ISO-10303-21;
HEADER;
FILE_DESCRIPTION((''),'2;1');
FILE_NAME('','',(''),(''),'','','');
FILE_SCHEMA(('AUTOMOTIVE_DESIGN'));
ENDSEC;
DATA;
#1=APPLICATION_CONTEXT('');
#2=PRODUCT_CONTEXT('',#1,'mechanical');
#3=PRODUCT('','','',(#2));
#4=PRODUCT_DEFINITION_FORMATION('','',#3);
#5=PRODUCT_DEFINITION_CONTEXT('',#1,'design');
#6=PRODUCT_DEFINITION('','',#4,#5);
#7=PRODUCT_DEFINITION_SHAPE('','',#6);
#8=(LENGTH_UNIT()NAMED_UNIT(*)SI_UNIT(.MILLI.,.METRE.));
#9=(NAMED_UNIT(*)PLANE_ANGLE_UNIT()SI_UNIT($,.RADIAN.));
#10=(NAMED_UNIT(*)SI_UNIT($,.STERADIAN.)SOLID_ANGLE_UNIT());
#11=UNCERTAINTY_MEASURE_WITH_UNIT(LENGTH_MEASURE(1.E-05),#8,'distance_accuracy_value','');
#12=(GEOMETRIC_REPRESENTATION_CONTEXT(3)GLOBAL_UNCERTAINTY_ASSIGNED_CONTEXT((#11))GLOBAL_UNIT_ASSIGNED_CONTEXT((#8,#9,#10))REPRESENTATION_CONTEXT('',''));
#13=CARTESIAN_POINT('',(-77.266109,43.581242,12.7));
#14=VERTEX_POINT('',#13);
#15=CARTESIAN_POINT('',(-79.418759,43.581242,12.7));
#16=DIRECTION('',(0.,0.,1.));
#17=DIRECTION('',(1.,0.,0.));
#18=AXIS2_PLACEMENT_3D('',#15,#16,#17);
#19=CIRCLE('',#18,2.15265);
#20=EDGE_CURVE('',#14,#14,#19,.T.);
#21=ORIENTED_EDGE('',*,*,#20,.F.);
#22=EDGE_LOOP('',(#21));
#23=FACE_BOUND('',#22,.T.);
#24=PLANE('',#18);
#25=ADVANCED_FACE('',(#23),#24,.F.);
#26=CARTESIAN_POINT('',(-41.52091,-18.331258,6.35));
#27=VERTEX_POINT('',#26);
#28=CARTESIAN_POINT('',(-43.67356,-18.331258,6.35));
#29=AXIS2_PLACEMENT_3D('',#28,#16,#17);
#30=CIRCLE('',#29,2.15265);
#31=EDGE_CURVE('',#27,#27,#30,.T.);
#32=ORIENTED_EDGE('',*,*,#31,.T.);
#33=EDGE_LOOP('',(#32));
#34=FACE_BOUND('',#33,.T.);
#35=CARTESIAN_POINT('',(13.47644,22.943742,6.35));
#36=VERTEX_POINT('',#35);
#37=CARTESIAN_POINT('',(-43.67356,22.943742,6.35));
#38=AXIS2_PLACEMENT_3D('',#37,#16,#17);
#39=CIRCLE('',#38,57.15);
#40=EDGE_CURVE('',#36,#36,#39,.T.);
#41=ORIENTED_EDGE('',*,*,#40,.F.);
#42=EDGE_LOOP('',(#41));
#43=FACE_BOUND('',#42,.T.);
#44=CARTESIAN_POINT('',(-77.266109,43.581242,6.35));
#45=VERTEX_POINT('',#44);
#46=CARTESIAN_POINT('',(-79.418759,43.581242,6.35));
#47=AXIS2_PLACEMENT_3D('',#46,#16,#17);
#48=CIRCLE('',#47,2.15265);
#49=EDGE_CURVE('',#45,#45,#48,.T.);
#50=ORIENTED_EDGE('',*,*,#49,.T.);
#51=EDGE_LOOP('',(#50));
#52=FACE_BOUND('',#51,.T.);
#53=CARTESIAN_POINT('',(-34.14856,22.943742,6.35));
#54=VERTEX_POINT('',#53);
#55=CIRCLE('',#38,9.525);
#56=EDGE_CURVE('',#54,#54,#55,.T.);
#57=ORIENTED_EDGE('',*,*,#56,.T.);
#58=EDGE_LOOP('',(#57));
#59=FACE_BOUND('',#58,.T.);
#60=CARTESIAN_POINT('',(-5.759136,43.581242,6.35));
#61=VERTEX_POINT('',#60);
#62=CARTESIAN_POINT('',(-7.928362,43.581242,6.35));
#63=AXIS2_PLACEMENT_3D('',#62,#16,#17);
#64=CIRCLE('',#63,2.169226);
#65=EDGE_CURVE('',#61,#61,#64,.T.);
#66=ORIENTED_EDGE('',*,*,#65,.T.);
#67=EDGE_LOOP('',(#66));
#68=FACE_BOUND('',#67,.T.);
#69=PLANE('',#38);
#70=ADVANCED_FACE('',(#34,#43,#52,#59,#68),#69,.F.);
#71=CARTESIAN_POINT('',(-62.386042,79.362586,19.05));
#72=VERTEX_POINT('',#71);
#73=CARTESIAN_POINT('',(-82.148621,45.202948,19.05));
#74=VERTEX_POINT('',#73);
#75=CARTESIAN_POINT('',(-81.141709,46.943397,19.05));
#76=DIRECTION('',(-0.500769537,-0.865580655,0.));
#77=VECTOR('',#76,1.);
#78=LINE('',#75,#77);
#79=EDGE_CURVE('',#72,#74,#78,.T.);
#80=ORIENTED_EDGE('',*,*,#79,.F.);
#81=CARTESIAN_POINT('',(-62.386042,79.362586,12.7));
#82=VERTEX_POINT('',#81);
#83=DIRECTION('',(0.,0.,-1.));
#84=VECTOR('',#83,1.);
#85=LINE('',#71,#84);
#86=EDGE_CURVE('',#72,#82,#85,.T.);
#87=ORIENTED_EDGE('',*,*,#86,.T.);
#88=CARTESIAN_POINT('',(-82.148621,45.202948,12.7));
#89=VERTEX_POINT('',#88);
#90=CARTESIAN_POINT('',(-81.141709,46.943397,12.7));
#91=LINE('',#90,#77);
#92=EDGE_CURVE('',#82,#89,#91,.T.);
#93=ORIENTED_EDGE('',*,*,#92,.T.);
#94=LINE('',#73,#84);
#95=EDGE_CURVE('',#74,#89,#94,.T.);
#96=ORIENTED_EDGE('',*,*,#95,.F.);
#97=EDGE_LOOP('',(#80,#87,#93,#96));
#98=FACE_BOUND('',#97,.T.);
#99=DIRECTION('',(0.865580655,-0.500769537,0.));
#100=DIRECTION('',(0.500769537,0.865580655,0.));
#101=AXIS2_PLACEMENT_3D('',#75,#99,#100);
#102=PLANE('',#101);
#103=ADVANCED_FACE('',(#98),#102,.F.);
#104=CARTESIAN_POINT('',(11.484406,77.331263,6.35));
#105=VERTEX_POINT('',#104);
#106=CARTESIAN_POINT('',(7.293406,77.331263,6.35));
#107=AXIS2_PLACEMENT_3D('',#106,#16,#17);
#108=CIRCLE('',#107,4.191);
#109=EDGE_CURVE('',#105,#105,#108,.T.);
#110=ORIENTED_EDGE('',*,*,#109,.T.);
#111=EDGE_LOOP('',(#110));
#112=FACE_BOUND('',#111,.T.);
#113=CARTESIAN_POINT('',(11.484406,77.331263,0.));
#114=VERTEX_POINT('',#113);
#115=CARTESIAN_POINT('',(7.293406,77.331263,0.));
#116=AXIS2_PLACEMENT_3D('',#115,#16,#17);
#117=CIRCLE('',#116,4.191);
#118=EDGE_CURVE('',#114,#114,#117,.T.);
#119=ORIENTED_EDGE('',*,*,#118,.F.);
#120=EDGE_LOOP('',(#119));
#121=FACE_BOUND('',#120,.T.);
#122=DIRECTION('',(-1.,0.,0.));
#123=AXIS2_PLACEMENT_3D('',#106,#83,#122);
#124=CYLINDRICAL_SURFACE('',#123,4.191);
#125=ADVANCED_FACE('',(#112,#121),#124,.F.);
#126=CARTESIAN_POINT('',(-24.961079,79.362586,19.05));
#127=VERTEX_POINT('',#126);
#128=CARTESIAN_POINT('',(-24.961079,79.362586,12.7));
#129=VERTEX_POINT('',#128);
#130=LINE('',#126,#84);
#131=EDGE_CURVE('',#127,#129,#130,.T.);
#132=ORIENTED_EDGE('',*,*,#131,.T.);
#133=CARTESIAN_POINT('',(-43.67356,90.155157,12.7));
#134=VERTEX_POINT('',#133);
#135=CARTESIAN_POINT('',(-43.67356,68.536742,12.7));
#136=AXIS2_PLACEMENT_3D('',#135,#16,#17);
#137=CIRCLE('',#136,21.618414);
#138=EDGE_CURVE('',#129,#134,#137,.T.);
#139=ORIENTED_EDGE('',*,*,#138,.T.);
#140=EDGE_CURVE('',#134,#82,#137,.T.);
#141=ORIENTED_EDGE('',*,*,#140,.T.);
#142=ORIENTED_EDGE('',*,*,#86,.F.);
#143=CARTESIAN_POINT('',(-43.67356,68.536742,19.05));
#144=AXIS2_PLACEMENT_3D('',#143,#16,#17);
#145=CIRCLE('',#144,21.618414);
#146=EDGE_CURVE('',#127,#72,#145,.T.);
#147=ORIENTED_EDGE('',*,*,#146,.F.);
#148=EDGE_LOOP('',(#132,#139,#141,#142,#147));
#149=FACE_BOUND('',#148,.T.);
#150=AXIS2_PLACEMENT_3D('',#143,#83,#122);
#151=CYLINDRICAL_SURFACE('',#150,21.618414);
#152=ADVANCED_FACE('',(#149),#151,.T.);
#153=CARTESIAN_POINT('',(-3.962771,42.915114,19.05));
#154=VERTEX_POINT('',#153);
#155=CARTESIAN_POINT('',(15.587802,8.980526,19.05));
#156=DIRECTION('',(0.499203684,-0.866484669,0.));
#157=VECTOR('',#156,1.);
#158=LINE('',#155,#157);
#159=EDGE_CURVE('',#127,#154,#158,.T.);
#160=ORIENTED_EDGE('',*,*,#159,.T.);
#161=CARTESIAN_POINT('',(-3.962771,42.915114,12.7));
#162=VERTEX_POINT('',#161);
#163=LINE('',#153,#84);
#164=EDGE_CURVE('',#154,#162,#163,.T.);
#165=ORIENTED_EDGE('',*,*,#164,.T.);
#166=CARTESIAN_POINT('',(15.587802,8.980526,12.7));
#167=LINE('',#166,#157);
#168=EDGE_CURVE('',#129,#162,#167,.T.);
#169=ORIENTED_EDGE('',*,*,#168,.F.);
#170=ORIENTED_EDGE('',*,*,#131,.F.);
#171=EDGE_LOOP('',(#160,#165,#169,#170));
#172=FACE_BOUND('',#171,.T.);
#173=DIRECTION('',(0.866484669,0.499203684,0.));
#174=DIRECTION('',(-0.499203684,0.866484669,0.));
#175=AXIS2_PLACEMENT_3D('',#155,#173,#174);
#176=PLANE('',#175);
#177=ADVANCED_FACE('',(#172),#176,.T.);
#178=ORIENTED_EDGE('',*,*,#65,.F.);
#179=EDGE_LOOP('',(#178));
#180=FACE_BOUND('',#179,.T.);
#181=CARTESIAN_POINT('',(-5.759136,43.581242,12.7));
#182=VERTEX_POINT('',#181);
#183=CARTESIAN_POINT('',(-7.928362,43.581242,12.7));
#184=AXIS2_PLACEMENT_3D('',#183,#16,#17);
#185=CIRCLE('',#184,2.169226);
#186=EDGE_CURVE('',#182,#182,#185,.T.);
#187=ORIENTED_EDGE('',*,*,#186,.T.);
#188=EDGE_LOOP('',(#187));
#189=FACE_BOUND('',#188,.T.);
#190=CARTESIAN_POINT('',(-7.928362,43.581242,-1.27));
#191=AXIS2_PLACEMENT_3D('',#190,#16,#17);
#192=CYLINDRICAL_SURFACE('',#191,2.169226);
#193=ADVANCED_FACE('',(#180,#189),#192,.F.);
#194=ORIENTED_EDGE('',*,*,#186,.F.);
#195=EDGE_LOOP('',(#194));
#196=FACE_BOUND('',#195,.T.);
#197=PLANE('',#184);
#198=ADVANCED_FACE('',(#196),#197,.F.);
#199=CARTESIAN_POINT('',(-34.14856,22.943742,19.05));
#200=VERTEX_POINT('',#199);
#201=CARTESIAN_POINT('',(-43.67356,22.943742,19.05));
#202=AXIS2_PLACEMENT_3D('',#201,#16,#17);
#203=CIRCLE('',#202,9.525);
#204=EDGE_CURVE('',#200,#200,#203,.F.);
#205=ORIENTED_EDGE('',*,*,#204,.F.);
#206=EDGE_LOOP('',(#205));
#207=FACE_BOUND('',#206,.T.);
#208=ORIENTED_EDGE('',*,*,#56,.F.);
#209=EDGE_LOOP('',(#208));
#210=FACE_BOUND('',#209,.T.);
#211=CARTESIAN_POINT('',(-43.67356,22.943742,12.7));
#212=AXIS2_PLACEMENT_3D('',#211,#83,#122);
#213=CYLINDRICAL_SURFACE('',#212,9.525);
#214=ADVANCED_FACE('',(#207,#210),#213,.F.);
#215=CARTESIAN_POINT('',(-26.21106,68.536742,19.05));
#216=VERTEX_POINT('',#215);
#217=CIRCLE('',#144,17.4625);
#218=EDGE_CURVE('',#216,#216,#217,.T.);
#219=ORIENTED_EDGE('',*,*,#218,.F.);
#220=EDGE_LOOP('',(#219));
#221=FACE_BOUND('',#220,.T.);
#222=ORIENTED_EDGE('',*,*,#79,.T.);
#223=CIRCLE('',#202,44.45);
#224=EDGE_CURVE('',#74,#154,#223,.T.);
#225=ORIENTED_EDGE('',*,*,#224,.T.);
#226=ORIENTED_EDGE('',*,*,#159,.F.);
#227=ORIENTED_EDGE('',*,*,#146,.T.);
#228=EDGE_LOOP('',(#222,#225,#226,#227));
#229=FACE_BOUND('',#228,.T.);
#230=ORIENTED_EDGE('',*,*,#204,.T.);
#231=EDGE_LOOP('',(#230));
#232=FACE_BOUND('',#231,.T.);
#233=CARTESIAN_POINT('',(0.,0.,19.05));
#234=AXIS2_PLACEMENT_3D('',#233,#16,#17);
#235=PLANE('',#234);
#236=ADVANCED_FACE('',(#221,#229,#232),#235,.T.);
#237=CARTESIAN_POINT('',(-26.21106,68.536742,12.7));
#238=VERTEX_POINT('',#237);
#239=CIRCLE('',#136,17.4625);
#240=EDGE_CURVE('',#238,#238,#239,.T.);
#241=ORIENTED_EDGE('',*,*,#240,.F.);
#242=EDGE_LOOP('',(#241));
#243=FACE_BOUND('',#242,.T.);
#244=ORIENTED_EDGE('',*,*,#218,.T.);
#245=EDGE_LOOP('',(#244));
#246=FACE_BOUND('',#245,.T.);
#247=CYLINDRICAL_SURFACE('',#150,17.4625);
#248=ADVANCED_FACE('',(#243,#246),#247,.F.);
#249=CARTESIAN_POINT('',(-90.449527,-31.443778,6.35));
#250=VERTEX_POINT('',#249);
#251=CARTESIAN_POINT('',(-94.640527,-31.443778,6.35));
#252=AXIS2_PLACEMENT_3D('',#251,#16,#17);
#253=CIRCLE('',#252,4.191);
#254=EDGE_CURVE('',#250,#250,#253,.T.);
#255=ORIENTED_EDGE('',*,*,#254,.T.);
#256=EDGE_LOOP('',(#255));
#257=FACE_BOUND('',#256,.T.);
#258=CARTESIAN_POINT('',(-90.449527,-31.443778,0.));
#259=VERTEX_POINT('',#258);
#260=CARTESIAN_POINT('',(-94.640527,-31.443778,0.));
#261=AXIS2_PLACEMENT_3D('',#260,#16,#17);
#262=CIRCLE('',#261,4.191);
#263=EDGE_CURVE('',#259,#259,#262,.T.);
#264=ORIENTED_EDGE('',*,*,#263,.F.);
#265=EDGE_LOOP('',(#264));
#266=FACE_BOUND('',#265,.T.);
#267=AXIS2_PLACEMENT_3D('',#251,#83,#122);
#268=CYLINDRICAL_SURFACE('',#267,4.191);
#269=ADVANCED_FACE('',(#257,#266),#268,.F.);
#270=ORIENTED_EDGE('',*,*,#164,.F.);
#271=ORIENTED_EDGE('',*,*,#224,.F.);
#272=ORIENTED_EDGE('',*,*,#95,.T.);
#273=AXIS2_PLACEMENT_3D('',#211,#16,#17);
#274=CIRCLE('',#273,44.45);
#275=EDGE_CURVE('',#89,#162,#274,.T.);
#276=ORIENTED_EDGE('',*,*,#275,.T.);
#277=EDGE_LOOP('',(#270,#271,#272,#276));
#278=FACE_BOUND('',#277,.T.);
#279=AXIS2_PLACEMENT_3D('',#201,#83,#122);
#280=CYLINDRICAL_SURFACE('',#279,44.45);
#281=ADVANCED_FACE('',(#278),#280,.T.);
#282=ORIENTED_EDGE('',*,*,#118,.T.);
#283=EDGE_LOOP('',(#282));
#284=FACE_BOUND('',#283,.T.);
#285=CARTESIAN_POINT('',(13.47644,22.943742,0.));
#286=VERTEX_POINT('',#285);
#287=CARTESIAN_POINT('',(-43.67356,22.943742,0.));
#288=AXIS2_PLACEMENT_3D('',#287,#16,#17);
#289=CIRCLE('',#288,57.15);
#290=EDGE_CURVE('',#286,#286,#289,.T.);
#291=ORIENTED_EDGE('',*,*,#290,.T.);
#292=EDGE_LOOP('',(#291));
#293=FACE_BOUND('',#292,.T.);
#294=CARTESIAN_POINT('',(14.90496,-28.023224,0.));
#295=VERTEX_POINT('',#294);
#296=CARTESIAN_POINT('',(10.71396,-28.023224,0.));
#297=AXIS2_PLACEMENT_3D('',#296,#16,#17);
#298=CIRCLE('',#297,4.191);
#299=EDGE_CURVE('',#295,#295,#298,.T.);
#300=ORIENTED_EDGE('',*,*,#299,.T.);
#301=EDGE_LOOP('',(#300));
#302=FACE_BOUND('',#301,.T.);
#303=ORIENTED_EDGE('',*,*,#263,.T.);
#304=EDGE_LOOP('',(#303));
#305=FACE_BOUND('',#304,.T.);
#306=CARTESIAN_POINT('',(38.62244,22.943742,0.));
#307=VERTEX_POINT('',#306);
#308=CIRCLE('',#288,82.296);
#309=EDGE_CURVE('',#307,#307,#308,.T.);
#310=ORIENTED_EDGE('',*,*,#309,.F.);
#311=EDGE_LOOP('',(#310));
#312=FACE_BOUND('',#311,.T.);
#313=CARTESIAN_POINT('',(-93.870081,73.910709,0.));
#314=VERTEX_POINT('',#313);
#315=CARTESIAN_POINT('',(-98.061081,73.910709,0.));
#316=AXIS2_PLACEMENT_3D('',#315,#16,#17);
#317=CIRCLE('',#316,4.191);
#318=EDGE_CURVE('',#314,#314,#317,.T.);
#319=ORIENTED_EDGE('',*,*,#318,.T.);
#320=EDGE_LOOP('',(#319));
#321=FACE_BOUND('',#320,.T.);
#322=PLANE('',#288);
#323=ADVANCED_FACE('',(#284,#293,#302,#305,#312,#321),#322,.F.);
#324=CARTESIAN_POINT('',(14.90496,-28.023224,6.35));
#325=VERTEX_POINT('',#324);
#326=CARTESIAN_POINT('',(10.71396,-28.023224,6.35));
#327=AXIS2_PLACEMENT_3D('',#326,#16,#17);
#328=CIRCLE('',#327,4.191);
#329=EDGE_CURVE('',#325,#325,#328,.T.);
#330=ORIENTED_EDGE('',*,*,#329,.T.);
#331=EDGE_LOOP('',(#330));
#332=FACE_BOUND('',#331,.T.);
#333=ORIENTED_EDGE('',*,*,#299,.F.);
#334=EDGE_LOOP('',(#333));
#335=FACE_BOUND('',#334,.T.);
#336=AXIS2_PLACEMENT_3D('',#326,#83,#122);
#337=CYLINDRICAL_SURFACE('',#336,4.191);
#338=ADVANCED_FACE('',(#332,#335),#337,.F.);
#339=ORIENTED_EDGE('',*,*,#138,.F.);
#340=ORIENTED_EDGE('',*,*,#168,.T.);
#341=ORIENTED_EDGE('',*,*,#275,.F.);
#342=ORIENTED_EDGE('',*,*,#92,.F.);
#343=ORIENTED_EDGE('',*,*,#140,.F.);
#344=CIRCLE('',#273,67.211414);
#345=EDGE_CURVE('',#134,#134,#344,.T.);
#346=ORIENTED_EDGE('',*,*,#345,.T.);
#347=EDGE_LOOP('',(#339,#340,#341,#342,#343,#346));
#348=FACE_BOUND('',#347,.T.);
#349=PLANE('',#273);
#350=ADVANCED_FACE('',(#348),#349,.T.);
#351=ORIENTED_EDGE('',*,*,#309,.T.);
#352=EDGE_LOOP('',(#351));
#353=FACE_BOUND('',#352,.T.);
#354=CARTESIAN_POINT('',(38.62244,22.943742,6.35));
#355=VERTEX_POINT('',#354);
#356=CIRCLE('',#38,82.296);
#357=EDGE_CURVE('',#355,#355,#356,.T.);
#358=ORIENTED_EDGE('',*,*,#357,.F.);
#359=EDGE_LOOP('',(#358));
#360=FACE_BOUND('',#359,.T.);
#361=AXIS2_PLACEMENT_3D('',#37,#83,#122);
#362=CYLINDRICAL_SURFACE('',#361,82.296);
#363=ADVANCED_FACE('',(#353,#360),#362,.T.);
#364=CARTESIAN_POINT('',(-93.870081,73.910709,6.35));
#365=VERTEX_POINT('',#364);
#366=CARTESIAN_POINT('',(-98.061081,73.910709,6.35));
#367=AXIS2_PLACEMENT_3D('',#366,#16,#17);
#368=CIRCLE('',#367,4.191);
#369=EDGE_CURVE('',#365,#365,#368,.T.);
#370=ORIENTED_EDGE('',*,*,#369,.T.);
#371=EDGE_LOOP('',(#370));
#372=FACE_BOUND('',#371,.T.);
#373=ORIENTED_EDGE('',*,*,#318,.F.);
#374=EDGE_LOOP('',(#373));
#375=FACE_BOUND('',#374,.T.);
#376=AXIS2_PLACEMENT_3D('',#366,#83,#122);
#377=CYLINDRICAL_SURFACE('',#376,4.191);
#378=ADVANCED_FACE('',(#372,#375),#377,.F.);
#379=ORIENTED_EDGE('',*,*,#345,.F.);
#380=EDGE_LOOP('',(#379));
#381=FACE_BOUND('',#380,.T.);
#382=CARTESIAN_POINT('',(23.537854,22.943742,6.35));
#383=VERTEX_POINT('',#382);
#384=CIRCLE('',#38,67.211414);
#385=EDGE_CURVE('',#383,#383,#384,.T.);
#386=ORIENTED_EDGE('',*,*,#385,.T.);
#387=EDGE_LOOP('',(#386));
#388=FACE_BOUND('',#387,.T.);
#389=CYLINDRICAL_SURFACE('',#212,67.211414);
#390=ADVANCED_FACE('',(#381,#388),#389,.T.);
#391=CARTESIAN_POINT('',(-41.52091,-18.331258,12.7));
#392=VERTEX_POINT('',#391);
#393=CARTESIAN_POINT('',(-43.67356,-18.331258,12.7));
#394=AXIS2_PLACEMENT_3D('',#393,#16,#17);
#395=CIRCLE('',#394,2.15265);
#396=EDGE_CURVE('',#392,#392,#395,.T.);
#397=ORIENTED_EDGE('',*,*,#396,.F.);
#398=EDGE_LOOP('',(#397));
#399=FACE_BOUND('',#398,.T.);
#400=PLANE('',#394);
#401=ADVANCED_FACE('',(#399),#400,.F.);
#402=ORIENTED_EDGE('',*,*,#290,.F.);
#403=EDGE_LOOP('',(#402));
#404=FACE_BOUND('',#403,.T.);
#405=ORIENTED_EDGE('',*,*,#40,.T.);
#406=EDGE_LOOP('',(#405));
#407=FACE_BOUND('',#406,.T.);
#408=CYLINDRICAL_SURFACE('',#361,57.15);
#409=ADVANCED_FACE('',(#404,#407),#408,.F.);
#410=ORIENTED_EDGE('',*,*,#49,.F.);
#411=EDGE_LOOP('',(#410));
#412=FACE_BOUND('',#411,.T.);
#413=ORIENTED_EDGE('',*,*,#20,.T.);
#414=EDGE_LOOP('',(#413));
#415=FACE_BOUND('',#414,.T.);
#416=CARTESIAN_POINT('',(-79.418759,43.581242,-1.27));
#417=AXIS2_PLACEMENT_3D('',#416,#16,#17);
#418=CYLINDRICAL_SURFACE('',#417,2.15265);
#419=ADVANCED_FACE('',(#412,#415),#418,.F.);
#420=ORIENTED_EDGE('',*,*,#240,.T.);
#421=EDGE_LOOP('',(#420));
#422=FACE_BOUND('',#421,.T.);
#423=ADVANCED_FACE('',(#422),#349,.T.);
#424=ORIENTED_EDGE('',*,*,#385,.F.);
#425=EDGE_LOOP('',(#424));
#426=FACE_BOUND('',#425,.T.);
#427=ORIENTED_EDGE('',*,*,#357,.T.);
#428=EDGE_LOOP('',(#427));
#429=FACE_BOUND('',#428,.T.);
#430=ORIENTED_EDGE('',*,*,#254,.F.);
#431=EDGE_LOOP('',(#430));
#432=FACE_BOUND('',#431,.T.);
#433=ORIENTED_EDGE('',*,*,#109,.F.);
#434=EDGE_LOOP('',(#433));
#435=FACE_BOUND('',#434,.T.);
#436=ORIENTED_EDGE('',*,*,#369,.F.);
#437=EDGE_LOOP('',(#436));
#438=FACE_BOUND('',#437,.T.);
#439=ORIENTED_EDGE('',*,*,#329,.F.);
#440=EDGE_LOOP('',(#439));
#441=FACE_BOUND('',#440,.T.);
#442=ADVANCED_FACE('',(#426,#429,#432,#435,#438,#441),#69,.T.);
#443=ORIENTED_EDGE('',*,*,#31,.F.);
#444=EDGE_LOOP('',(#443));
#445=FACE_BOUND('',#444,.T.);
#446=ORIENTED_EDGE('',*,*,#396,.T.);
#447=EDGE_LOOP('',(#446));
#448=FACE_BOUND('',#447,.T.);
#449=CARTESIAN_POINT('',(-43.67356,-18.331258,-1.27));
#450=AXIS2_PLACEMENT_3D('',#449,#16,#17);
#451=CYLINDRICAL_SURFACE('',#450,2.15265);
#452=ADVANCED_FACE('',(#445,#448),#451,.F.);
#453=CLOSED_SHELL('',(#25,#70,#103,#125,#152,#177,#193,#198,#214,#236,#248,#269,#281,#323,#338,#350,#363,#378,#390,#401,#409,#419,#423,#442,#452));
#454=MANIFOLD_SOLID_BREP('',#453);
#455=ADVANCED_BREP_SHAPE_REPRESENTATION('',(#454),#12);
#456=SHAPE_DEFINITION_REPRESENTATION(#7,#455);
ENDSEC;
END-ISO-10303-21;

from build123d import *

# Parameters (mm, degrees)
SKETCH1_R           = 82.296
SKETCH1_R_2         = 57.15
SKETCH1_R_3         = 4.191
BOSS_EXTRUDE1_DEPTH = 6.35
SKETCH2_R           = 67.211414491
SKETCH2_R_2         = 9.525
BOSS_EXTRUDE2_DEPTH = 6.35
SKETCH3_R           = 9.525
SKETCH3_R_2         = 17.4625
BOSS_EXTRUDE3_DEPTH = 6.35
SKETCH4_R           = 2.15265
SKETCH4_R_2         = 2.169226356
CUT_EXTRUDE1_DEPTH  = 13.97


with BuildPart() as part:
    # Sketch1 → Boss-Extrude1 (new body)
    with BuildSketch(Plane.XY):
        with Locations((-43.673560496, 22.943742375)):
            Circle(SKETCH1_R)
        with Locations((-43.673560496, 22.943742375)):
            Circle(SKETCH1_R_2, mode=Mode.SUBTRACT)
        with Locations((-98.06108088, 73.910708897)):
            Circle(SKETCH1_R_3, mode=Mode.SUBTRACT)
        with Locations((7.293406026, 77.331262758)):
            Circle(SKETCH1_R_3, mode=Mode.SUBTRACT)
        with Locations((10.713959888, -28.023224148)):
            Circle(SKETCH1_R_3, mode=Mode.SUBTRACT)
        with Locations((-94.640527019, -31.443778009)):
            Circle(SKETCH1_R_3, mode=Mode.SUBTRACT)
    extrude(amount=BOSS_EXTRUDE1_DEPTH)

    # Sketch2 → Boss-Extrude2 (add)
    with BuildSketch(Plane.XY.offset(6.35)):
        with Locations((-43.673560496, 22.943742375)):
            Circle(SKETCH2_R)
        with Locations((-43.673560496, 22.943742375)):
            Circle(SKETCH2_R_2, mode=Mode.SUBTRACT)
    extrude(amount=BOSS_EXTRUDE2_DEPTH)

    # Sketch3 → Boss-Extrude3 (add)
    with BuildSketch(Plane.XY.offset(12.7)):
        with BuildLine():
            Line((-3.962770655, 42.915113639), (-24.961079117, 79.362585794))
            ThreePointArc((-24.961079117, 79.362585794), (-43.673560496, 90.155156865), (-62.386041875, 79.362585794))
            Line((-62.386041875, 79.362585794), (-82.148620619, 45.202948303))
            ThreePointArc((-82.148620619, 45.202948303), (-44.973677355, -21.487240016), (-3.962770655, 42.915113639))
        make_face()
        with Locations((-43.673560496, 22.943742375)):
            Circle(SKETCH3_R, mode=Mode.SUBTRACT)
        with Locations((-43.673560496, 68.536742375)):
            Circle(SKETCH3_R_2, mode=Mode.SUBTRACT)
    extrude(amount=BOSS_EXTRUDE3_DEPTH)

    # Sketch4 → Cut-Extrude1 (cut)
    with BuildSketch(Plane.XY.offset(12.7)):
        with Locations((-79.418759037, 43.581242375)):
            Circle(SKETCH4_R)
        with Locations((-7.928361955, 43.581242375)):
            Circle(SKETCH4_R_2)
        with Locations((-43.673560496, -18.331257625)):
            Circle(SKETCH4_R)
    extrude(amount=-CUT_EXTRUDE1_DEPTH, mode=Mode.SUBTRACT)


solid = part.part
